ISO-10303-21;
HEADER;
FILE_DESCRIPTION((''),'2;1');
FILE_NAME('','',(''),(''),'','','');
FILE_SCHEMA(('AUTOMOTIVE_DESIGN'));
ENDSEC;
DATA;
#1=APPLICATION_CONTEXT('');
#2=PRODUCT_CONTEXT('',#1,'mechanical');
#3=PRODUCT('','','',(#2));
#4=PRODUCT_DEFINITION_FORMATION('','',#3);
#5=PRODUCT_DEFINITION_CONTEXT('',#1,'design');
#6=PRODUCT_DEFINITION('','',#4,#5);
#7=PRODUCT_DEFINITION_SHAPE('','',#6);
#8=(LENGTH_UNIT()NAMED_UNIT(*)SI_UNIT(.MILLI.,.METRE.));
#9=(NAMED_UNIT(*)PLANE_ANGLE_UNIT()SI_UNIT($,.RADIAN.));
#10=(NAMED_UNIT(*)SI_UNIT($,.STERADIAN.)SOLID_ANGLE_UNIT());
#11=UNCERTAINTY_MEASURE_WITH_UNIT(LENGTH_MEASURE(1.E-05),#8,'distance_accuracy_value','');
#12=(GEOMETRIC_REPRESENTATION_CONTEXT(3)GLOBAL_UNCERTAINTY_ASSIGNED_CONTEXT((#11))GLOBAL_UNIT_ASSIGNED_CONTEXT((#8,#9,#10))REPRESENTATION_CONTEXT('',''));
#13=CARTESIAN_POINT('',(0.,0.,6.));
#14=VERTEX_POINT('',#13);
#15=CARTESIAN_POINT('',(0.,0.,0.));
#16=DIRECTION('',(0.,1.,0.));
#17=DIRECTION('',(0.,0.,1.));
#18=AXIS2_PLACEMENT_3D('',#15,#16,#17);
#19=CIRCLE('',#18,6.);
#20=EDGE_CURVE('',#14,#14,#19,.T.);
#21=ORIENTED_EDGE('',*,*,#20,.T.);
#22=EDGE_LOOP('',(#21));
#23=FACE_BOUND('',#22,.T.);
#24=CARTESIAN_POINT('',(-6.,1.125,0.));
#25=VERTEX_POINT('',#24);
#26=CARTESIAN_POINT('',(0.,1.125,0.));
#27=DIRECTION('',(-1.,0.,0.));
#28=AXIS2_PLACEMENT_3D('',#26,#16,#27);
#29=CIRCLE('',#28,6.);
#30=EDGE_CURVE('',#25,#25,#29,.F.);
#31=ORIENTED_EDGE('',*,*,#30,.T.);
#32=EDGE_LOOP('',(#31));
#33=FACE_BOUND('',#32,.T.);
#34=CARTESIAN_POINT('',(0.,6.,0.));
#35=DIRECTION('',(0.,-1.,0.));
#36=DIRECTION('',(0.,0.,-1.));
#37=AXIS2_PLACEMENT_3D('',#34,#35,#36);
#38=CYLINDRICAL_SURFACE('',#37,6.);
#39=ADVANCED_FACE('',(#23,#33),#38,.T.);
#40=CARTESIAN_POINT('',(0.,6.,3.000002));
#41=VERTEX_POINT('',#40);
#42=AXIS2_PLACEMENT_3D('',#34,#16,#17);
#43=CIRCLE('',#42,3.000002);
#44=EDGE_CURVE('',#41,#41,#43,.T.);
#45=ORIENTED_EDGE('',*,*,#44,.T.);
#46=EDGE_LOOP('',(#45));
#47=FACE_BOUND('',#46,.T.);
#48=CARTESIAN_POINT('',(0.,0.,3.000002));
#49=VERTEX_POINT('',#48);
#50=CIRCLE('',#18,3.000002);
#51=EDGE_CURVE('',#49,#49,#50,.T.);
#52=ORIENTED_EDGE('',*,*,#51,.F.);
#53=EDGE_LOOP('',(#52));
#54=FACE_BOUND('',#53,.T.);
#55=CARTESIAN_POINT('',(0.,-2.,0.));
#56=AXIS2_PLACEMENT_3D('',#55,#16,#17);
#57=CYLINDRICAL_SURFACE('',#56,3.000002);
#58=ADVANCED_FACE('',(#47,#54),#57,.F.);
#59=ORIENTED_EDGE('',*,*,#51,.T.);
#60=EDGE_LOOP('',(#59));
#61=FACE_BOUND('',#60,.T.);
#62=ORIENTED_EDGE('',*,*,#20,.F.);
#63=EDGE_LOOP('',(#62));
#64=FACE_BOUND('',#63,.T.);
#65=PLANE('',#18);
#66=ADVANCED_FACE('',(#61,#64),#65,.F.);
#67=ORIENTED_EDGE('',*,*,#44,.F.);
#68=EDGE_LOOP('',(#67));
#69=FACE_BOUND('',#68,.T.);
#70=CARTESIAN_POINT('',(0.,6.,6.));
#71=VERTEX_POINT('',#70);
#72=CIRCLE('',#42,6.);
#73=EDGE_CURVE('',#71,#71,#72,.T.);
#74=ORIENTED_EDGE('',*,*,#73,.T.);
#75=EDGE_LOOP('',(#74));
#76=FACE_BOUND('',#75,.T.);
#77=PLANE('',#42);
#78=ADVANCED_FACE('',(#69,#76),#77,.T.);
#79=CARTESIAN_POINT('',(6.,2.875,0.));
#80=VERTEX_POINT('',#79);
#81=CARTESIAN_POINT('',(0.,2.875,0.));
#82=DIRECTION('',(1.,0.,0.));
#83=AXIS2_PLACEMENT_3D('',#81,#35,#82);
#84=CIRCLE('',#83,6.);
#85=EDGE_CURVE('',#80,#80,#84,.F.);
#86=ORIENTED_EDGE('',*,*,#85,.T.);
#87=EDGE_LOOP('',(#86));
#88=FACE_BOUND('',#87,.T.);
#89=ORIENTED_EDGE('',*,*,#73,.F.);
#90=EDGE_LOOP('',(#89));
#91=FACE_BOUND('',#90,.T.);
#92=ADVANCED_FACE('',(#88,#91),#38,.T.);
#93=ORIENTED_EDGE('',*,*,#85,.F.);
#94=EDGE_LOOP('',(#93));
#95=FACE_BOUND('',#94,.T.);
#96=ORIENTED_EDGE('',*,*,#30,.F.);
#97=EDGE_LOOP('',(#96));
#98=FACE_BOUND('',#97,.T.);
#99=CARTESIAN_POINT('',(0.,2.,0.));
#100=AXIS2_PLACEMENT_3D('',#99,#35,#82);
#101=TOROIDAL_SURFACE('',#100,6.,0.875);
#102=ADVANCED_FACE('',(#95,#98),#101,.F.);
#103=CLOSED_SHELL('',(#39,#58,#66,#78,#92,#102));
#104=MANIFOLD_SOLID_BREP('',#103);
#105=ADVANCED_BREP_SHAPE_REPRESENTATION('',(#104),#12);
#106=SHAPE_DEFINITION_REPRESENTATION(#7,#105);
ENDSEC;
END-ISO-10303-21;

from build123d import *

# Parameters (mm, degrees)
SKETCH1_R           = 6
BOSS_EXTRUDE1_DEPTH = 6
SKETCH2_R           = 0.875
SKETCH4_R           = 3.000001976
CUT_EXTRUDE1_DEPTH  = 8


with BuildPart() as part:
    # Sketch1 → Boss-Extrude1 (new body)
    with BuildSketch(Plane(origin=(0, 0, 0), x_dir=(1, 0, 0), z_dir=(0, 1, 0))):
        Circle(SKETCH1_R)
    extrude(amount=BOSS_EXTRUDE1_DEPTH)

    # Sketch2 → Cut-Revolve1 (revolve, cut)
    with BuildSketch(Plane.XY):
        with Locations((6, 2)):
            Circle(SKETCH2_R)
    revolve(axis=Axis((0, 0, 0), (0, 1, 0)), mode=Mode.SUBTRACT)

    # Sketch4 → Cut-Extrude1 (cut)
    with BuildSketch(Plane(origin=(0, 6, 0), x_dir=(1, 0, 0), z_dir=(0, 1, 0))):
        Circle(SKETCH4_R)
    extrude(amount=-CUT_EXTRUDE1_DEPTH, mode=Mode.SUBTRACT)


solid = part.part
